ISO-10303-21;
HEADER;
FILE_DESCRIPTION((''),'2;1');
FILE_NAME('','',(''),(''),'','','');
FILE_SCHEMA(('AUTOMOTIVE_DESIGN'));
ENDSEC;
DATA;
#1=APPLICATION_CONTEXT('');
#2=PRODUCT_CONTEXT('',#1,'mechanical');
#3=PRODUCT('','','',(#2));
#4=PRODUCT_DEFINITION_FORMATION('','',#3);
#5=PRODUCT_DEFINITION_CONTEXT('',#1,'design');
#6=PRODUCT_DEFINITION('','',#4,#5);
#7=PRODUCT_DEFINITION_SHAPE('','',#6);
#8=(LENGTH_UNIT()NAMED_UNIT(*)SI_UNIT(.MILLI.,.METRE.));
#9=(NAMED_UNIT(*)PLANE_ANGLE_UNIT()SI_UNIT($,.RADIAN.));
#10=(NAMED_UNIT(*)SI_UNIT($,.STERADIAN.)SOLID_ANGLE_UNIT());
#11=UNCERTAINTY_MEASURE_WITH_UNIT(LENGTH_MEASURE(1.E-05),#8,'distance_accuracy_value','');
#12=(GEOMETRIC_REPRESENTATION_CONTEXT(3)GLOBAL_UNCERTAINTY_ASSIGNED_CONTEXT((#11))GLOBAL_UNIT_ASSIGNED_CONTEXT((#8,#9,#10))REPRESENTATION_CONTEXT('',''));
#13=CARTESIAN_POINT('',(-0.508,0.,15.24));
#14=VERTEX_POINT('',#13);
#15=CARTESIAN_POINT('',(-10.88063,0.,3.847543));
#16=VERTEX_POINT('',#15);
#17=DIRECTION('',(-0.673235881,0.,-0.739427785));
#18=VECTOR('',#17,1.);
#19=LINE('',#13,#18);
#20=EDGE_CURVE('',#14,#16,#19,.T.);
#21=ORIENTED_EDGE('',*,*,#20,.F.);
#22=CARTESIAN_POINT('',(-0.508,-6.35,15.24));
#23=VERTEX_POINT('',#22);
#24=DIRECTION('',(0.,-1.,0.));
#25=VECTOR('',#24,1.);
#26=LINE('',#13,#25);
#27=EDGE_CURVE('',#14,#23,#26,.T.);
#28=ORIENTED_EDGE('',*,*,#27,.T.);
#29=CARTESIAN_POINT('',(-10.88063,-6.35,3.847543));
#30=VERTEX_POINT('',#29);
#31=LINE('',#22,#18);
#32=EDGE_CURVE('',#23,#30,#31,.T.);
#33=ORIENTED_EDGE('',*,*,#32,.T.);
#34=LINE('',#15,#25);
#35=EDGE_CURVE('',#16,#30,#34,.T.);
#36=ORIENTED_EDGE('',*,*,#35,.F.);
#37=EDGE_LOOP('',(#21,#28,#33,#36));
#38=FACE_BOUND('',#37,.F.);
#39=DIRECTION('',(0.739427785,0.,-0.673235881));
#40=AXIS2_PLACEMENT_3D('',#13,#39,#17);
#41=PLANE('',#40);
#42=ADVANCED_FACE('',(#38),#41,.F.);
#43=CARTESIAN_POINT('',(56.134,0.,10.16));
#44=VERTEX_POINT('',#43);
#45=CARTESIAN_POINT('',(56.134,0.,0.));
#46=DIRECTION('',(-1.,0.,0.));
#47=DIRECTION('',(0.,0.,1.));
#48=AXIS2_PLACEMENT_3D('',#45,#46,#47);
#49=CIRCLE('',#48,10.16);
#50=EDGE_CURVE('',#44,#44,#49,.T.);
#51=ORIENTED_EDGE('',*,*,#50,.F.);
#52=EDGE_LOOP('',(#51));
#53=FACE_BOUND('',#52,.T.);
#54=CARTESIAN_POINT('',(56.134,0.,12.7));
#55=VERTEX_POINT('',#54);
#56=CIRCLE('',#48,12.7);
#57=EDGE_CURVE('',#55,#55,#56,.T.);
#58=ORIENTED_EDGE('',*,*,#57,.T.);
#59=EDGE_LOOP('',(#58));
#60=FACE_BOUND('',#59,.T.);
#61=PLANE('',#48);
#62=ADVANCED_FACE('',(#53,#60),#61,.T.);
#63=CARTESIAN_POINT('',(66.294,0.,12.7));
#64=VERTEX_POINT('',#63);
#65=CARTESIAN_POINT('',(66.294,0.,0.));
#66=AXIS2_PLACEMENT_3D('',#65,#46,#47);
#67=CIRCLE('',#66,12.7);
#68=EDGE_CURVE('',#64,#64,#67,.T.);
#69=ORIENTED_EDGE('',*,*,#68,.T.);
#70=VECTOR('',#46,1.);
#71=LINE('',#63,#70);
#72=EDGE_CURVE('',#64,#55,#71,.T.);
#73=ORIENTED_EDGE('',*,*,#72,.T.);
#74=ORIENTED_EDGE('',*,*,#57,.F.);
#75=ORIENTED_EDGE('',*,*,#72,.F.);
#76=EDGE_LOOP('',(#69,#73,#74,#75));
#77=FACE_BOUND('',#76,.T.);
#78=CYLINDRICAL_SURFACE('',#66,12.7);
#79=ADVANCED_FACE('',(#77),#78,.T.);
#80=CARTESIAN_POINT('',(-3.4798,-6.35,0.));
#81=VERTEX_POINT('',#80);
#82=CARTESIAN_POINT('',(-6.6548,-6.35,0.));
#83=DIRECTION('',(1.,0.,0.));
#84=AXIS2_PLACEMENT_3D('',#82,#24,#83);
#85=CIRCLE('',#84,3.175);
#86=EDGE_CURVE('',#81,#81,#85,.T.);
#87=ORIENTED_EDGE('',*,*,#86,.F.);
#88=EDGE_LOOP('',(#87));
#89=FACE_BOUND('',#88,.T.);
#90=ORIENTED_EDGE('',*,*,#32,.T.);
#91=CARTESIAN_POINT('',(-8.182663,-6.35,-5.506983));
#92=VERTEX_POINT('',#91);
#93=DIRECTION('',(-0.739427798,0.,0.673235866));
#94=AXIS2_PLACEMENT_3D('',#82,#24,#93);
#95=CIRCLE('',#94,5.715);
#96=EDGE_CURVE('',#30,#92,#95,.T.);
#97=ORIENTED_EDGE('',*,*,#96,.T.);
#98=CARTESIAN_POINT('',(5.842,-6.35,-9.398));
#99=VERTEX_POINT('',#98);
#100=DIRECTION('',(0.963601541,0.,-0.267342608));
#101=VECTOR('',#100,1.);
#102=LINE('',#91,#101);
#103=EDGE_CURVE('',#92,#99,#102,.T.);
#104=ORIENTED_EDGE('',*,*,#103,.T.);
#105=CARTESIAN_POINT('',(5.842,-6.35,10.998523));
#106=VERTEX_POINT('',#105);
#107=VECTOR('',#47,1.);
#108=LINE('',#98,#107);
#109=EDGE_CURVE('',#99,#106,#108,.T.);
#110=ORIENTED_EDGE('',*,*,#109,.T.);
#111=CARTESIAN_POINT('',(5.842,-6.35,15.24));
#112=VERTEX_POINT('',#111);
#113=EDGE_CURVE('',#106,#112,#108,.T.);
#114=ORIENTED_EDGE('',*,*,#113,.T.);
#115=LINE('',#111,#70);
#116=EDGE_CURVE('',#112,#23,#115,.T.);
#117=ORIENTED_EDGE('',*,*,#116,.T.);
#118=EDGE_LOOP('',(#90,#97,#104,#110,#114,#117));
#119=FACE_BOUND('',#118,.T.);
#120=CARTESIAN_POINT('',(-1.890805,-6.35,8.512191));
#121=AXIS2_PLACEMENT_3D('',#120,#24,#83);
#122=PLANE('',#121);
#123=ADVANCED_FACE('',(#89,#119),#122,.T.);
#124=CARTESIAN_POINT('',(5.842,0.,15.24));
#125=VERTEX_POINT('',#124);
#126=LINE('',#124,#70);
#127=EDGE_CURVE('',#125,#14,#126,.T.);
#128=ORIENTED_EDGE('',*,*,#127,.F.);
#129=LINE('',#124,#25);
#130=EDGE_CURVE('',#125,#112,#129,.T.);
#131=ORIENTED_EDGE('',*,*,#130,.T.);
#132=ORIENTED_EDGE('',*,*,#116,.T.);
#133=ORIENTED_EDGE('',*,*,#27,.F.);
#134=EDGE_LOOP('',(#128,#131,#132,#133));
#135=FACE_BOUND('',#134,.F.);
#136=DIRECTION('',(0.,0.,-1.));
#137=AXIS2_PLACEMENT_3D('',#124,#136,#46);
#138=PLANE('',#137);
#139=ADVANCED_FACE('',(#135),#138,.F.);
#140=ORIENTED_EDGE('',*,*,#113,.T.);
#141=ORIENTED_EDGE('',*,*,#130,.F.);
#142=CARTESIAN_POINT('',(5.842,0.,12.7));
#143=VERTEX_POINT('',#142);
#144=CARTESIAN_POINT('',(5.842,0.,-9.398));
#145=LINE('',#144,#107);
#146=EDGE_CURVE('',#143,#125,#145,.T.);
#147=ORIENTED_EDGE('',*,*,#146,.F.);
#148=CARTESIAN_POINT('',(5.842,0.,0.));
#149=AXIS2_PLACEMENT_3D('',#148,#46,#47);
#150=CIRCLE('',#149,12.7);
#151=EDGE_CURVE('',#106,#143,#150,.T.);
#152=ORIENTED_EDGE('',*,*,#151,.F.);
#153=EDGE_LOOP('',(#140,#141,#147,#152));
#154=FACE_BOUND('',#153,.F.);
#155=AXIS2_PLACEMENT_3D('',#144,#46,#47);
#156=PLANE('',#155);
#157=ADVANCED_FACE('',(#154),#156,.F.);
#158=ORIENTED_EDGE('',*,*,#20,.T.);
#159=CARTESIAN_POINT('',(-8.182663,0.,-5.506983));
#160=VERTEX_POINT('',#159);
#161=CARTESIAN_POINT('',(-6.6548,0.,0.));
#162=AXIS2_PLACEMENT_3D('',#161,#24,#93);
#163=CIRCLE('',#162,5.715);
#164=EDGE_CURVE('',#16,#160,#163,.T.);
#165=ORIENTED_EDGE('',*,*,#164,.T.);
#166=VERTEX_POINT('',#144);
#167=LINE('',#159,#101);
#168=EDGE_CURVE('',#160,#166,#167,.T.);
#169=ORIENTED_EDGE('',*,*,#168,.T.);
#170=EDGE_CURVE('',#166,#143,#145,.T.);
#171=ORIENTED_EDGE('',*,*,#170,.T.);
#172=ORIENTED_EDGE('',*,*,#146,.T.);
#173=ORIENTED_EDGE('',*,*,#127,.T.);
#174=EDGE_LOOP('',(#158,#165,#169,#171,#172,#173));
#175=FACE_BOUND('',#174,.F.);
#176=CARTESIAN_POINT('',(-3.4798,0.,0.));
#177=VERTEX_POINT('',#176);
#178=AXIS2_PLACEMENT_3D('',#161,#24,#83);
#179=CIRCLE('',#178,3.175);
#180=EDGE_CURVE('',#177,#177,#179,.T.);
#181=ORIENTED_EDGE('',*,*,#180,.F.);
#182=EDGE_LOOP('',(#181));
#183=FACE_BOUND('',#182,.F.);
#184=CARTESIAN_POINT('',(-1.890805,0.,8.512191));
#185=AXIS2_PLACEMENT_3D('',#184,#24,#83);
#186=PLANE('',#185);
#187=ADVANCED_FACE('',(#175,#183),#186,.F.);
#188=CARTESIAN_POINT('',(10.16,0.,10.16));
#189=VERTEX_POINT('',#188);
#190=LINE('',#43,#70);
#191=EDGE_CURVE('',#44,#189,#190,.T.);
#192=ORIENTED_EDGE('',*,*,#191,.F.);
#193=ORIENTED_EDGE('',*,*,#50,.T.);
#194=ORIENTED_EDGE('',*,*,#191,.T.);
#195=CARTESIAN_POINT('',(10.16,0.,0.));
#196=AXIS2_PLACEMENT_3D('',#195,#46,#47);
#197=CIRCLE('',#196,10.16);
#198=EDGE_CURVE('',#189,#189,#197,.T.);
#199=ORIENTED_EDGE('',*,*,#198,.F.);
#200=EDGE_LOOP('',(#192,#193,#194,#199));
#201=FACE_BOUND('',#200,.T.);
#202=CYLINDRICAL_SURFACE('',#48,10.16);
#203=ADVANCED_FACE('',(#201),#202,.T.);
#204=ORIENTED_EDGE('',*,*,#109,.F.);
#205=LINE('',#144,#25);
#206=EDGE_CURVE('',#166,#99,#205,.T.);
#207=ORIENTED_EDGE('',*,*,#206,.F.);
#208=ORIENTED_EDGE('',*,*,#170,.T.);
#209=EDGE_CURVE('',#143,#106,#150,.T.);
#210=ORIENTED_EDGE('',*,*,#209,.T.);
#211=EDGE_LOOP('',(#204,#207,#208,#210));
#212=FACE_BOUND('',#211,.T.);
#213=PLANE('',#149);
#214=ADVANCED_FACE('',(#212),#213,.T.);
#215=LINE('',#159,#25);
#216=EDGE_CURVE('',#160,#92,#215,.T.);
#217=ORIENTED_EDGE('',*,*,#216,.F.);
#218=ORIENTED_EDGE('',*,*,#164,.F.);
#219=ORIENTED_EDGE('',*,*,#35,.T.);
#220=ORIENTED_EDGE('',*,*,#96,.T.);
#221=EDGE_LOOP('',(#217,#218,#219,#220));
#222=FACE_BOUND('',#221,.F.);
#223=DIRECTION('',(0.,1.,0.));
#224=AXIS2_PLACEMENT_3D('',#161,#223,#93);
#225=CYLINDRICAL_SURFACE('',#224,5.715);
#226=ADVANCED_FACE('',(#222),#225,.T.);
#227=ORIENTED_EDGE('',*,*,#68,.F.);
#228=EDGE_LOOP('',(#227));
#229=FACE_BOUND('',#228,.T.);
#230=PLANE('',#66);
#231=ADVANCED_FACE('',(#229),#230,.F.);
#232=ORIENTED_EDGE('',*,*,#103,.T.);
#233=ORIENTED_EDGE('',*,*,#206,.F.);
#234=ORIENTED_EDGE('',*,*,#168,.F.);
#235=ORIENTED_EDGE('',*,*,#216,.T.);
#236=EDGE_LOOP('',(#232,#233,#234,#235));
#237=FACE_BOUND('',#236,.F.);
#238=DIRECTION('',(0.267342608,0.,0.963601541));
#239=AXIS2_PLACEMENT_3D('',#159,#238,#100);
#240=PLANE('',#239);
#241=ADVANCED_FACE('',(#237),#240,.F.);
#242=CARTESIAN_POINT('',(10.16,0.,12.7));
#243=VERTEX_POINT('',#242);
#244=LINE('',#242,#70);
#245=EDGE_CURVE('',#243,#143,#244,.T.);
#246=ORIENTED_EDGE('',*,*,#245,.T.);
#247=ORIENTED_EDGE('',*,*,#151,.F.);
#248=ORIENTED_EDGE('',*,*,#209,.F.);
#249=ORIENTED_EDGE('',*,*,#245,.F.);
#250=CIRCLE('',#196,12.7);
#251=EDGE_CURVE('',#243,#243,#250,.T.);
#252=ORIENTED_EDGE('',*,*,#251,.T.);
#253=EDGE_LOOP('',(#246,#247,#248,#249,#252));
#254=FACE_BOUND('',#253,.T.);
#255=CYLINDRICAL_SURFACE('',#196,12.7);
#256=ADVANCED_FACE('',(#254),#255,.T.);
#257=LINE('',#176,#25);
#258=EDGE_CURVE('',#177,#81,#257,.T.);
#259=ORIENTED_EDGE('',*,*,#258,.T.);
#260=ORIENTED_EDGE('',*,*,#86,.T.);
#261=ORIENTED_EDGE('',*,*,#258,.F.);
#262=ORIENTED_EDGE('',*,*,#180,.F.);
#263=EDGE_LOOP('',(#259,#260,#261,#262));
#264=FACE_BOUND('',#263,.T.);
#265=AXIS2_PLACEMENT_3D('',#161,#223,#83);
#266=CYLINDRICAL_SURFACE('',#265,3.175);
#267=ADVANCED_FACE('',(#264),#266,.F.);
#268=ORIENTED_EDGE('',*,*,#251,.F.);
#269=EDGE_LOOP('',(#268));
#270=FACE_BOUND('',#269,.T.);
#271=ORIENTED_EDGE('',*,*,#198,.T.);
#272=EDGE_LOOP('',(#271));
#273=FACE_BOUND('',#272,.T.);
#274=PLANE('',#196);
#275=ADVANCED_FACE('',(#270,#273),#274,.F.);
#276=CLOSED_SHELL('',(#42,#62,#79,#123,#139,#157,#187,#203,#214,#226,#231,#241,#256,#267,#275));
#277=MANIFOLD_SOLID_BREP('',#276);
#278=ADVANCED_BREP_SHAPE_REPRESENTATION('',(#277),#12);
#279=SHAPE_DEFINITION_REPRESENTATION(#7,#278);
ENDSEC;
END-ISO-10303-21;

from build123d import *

# Parameters (mm, degrees)
F0_W     = 5.842
F0_H     = 12.7
F0_R     = 3.175
F2_DEPTH = 6.35


with BuildPart() as f1:
    # F0 (on Front) → F1 (revolve)
    with BuildSketch(Plane.XZ):
        Polygon((5.842, 12.7), (5.842, 0), (66.294, 0), (66.294, 12.7), (56.134, 12.7), (56.134, 10.16), (10.16, 10.16), (10.16, 12.7), align=None)
    revolve(axis=Axis((33.147, 0, 0), (-1, 0, 0)))

    # F0 (on Front) → F2 (join)
    with BuildSketch(Plane.XZ):
        with BuildLine():
            Line((-0.9398, 0), (0, 0))
            Line((0, 0), (0, 12.7))
            Line((0, 12.7), (5.842, 12.7))
            Line((5.842, 12.7), (5.842, 15.24))
            Line((5.842, 15.24), (-0.508, 15.24))
            Line((-0.508, 15.24), (-10.88063, 3.847543))
            ThreePointArc((-10.88063, 3.847543), (-4.591961, 5.329721), (-0.9398, 0))
        make_face()
        with Locations((2.921, 6.35)):
            Rectangle(F0_W, F0_H)
        with BuildLine():
            Line((5.842, 0), (0, 0))
            Line((0, 0), (-0.9398, 0))
            ThreePointArc((-0.9398, 0), (-3.195791, -4.549339), (-8.182663, -5.506983))
            Line((-8.182663, -5.506983), (5.842, -9.398))
            Line((5.842, -9.398), (5.842, 0))
        make_face()
        with BuildLine():
            ThreePointArc((-8.182663, -5.506983), (-3.195791, -4.549339), (-0.9398, 0))
            ThreePointArc((-0.9398, 0), (-4.591961, 5.329721), (-10.88063, 3.847543))
            ThreePointArc((-10.88063, 3.847543), (-12.145978, -1.583727), (-8.182663, -5.506983))
        make_face()
        with Locations((-6.6548, 0)):
            Circle(F0_R, mode=Mode.SUBTRACT)
    extrude(amount=F2_DEPTH)


solid = f1.part
